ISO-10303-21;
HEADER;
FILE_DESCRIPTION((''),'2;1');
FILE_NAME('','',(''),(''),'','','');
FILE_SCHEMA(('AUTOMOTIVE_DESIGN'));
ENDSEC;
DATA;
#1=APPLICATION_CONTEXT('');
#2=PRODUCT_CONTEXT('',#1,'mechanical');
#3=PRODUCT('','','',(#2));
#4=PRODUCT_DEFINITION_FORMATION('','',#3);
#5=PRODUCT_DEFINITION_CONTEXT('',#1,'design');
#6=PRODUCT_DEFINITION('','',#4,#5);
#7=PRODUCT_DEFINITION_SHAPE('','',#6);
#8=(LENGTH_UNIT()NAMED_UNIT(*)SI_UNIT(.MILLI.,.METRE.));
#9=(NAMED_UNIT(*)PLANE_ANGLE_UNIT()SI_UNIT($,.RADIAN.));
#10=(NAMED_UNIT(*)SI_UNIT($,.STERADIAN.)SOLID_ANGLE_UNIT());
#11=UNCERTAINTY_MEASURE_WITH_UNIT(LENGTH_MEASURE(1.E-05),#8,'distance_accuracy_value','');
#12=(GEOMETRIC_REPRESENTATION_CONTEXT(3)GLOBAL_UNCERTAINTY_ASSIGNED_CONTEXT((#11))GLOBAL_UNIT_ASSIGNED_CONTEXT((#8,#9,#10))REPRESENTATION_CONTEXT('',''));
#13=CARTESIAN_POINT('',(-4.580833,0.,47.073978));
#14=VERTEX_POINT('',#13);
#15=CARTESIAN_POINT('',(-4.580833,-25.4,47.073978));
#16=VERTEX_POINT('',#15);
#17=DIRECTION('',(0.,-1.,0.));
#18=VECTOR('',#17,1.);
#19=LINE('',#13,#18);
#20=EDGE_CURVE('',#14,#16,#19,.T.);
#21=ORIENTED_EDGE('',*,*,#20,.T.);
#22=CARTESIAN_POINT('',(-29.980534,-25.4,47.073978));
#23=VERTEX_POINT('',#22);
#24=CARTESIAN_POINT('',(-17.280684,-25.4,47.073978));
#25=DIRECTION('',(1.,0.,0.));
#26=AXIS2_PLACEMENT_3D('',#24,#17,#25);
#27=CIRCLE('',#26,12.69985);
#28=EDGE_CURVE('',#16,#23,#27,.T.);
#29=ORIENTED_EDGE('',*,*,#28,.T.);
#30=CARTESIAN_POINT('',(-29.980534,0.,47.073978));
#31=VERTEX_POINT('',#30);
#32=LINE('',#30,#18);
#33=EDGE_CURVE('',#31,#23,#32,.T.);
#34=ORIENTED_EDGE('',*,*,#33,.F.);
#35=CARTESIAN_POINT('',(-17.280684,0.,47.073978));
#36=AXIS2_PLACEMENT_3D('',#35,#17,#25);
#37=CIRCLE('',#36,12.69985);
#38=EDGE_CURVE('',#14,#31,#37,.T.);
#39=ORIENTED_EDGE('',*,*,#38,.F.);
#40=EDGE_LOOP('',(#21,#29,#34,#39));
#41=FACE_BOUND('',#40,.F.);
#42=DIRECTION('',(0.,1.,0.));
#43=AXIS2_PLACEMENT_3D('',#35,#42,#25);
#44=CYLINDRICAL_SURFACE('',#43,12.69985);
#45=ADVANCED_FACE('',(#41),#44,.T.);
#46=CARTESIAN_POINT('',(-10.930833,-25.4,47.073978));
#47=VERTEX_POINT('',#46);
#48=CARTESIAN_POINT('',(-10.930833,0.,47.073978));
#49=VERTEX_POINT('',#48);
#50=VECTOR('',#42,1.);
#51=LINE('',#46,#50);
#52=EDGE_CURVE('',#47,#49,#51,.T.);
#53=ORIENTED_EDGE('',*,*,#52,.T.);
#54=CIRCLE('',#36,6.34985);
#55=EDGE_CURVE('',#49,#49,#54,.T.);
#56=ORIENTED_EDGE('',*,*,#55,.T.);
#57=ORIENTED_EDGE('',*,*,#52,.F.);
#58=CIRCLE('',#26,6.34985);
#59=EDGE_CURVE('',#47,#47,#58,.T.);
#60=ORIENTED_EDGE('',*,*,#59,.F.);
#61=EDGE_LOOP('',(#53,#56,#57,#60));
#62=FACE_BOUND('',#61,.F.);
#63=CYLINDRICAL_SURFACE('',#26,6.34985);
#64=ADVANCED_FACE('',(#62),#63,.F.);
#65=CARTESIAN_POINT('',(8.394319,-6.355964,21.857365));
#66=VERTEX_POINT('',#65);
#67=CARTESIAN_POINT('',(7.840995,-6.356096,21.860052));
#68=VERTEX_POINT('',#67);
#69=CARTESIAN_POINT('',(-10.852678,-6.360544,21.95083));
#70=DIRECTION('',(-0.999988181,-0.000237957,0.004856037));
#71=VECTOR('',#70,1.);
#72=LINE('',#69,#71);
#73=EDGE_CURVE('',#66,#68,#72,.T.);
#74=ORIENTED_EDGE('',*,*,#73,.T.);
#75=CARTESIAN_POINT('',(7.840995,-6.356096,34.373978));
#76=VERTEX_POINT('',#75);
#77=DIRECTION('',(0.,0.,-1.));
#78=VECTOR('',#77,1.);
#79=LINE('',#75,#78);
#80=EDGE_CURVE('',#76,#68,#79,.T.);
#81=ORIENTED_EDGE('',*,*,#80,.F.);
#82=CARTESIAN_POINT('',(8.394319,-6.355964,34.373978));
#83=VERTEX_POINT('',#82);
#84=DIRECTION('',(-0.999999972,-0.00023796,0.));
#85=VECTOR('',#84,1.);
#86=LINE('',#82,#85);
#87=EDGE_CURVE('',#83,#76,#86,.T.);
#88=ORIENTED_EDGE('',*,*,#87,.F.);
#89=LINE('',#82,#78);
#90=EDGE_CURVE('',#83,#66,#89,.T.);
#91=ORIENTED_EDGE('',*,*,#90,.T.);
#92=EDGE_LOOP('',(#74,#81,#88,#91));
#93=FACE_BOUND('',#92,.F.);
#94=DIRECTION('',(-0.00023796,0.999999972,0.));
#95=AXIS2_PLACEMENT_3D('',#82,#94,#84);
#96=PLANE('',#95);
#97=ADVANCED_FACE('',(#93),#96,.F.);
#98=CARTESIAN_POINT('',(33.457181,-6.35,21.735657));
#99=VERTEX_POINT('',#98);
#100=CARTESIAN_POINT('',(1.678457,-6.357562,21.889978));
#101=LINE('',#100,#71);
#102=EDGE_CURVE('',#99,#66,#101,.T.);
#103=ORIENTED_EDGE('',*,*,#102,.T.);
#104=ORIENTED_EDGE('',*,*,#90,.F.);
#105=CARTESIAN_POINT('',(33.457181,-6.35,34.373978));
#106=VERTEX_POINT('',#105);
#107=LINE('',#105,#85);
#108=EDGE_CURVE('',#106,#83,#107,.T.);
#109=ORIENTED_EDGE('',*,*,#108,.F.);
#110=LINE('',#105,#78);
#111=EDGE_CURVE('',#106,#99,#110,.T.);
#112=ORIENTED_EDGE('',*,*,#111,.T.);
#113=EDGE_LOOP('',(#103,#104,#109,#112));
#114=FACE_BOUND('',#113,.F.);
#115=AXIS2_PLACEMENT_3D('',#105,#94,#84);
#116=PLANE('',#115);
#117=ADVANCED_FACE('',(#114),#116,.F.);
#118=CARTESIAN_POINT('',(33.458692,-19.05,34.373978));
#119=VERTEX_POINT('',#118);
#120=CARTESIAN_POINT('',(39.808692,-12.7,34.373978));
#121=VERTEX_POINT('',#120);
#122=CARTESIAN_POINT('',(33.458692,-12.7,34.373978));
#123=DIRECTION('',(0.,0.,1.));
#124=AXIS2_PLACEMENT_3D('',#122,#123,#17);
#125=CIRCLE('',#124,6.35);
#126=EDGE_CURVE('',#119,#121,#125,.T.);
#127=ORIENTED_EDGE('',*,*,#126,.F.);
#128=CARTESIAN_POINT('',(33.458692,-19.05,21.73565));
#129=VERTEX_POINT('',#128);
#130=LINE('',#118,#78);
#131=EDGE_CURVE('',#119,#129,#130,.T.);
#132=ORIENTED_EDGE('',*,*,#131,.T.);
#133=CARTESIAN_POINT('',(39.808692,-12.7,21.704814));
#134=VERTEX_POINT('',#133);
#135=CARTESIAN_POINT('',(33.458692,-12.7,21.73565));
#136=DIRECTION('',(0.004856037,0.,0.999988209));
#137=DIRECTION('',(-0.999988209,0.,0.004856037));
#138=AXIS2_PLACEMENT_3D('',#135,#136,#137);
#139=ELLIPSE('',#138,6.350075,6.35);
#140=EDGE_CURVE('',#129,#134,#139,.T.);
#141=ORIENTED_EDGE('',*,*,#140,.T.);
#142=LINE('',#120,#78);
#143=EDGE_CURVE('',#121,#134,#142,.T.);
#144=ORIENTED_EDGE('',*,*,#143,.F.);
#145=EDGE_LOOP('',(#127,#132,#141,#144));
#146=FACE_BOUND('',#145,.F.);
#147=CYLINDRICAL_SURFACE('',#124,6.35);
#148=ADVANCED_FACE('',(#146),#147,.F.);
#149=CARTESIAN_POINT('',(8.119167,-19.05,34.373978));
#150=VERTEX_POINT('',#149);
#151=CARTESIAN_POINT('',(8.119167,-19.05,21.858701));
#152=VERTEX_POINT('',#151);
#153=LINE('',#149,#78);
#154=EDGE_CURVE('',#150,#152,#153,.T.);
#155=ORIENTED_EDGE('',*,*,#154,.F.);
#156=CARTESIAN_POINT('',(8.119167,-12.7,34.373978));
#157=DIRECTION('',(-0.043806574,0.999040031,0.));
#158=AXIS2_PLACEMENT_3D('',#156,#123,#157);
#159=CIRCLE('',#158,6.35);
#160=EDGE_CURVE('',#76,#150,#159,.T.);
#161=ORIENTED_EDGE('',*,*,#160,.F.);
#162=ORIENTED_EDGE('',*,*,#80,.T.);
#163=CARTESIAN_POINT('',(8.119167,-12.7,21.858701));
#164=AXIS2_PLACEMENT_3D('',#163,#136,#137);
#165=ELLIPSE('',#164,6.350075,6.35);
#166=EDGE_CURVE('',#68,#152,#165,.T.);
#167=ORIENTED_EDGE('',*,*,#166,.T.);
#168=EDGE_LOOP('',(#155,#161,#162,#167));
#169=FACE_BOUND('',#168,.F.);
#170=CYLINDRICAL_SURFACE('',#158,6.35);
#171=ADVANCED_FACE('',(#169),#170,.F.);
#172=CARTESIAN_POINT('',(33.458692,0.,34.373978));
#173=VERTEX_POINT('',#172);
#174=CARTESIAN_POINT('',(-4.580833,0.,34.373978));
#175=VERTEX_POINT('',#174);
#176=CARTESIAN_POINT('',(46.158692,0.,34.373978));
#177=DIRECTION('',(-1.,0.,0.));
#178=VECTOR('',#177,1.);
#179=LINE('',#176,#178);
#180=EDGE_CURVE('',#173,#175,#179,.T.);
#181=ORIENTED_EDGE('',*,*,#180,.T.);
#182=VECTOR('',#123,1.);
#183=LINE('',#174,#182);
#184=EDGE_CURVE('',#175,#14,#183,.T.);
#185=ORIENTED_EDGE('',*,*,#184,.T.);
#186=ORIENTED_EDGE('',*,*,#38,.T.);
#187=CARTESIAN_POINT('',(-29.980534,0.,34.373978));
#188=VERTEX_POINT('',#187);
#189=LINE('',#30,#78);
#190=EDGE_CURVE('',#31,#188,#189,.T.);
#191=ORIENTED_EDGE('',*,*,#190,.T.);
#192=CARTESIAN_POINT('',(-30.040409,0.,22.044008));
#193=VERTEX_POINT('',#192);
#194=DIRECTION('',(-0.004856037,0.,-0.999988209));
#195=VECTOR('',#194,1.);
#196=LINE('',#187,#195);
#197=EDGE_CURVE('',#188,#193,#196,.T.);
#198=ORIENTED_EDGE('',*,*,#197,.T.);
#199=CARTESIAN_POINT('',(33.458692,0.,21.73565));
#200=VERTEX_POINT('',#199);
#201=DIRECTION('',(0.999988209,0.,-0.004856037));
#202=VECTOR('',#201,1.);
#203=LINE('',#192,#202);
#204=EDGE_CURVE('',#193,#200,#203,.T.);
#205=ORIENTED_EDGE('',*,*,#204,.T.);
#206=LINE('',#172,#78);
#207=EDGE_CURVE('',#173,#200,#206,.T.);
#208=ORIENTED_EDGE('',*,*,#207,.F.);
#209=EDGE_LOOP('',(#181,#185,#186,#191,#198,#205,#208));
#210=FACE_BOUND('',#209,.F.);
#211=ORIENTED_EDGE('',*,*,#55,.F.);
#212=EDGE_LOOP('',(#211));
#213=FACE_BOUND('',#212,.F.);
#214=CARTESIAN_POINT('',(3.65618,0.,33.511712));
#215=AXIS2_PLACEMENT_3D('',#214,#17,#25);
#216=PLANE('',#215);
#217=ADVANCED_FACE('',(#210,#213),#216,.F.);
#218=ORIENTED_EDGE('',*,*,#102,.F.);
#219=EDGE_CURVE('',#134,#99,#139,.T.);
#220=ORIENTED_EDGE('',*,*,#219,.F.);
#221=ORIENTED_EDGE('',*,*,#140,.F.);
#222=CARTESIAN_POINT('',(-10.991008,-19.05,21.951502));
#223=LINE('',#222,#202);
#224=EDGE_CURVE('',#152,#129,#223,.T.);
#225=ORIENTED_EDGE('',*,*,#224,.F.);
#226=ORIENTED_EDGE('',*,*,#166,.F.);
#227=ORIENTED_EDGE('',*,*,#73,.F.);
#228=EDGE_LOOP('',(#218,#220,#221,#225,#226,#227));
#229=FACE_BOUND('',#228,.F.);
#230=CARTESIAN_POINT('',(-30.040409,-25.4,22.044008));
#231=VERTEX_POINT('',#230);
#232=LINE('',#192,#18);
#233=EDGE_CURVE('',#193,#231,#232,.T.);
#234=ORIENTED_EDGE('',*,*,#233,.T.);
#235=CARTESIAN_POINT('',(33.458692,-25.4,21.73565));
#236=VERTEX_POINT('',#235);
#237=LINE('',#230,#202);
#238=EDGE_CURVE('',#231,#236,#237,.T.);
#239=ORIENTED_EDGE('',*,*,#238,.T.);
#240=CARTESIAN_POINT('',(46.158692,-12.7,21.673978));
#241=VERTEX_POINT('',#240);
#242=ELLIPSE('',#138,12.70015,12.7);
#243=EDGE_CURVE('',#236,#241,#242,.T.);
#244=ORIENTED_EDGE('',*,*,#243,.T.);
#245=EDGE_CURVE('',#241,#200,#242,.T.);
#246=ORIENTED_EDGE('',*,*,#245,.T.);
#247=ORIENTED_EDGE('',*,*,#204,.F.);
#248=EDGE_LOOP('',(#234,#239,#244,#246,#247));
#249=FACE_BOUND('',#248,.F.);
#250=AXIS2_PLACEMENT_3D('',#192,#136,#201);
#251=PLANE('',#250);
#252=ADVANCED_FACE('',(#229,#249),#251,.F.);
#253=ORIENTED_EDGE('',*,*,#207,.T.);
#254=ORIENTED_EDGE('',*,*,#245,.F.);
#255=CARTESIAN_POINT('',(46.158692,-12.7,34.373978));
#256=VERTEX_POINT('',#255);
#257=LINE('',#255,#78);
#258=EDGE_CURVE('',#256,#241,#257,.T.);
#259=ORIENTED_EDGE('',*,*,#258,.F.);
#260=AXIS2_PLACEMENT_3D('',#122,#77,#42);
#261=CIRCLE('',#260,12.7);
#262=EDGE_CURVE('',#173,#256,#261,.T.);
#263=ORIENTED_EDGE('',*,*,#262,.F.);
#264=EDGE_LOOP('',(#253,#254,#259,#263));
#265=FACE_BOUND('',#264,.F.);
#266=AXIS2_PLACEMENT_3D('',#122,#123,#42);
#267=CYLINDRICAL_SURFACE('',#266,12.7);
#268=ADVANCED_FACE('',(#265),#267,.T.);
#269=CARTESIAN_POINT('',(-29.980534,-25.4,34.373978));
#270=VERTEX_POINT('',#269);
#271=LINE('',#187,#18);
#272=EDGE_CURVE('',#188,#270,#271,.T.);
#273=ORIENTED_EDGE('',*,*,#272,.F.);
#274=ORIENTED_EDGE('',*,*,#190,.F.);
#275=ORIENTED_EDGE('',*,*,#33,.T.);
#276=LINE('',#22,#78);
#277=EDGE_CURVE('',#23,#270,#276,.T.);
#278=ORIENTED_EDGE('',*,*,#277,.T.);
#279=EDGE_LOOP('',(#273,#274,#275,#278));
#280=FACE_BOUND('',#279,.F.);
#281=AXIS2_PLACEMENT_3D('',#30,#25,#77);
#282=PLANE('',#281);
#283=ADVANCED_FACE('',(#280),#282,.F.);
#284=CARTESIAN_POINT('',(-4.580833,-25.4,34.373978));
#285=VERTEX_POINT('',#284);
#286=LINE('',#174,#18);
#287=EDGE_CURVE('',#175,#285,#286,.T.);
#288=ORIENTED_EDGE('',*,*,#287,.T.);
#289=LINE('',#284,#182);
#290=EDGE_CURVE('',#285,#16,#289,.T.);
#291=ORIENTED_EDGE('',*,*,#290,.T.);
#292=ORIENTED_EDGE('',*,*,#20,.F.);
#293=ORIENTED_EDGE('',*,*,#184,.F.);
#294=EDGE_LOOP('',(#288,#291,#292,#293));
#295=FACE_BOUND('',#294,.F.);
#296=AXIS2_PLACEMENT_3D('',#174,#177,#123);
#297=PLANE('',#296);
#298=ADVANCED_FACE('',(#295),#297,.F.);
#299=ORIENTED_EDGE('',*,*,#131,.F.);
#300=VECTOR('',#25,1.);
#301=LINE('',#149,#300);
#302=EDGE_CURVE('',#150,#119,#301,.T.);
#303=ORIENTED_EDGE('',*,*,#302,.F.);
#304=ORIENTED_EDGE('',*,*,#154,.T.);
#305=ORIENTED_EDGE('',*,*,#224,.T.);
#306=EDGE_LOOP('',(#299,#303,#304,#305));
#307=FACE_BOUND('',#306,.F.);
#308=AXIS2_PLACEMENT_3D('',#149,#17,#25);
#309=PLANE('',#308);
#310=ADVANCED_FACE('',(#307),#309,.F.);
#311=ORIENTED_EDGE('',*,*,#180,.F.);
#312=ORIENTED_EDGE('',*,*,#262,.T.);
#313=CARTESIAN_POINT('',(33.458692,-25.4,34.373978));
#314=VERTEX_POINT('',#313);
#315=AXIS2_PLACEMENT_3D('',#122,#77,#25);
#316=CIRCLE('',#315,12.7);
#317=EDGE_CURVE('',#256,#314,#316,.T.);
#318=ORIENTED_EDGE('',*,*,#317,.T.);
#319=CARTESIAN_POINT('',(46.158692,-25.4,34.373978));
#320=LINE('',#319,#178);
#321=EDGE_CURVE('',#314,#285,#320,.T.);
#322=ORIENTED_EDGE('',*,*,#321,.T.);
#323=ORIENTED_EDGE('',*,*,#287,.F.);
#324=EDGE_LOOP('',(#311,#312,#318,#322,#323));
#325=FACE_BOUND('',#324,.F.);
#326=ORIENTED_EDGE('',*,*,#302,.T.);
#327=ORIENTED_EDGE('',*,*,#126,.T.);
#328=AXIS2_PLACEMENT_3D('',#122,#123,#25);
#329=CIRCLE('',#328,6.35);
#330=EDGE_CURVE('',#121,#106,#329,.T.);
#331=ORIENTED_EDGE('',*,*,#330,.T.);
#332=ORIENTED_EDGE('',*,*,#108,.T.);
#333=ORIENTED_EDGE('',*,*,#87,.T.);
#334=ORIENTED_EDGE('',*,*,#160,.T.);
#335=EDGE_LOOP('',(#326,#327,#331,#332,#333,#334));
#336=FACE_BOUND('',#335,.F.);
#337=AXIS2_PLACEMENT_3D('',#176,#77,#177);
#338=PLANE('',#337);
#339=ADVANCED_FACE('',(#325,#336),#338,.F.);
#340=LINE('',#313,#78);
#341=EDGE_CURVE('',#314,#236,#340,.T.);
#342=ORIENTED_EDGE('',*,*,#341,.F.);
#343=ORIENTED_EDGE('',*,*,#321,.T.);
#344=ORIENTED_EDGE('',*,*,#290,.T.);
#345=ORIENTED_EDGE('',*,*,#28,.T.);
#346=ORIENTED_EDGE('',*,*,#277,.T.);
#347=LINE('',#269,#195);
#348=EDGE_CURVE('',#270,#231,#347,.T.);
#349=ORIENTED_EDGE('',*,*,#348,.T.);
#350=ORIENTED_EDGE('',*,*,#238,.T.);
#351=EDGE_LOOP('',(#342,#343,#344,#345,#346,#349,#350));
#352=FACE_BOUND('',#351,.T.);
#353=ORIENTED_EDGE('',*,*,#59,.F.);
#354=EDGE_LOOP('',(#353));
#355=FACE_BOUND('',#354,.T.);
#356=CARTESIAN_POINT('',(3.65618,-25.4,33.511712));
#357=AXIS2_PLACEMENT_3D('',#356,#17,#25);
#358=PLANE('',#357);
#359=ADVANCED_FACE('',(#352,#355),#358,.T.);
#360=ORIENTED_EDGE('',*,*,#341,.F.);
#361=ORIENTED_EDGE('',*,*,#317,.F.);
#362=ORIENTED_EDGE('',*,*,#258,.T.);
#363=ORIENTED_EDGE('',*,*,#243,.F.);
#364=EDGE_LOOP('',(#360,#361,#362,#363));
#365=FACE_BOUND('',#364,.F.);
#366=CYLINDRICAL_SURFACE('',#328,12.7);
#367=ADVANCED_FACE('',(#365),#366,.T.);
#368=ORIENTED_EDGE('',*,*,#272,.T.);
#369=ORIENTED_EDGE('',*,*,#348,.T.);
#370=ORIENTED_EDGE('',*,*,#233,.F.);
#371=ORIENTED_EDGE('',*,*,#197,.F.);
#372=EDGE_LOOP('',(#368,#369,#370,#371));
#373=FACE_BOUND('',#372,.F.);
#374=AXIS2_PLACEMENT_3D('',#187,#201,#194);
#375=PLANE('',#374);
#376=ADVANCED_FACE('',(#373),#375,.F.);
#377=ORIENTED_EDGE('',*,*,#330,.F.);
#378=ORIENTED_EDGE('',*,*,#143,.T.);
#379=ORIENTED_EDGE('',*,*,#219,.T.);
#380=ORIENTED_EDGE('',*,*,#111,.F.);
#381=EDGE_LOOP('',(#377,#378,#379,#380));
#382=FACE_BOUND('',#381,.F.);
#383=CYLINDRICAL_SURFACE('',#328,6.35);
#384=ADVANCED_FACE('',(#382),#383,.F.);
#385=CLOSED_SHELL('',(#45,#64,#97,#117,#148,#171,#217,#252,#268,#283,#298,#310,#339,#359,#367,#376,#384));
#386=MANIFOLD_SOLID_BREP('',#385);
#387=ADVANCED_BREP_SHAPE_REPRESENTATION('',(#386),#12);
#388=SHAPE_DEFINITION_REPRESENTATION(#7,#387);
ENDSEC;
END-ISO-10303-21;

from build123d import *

# Parameters (mm, degrees)
F1_DEPTH = 25.4
F2_R     = 6.3498502592
F3_DEPTH = 25.4
F5_DEPTH = 12.7
F7_DEPTH = 25.4


with BuildPart() as f1:
    # F0 (on Front) → F1 (new body)
    with BuildSketch(Plane.XZ):
        with BuildLine():
            Line((-29.9805339301, 47.0739776071), (-29.9805339301, 34.3739776071))
            Line((-29.9805339301, 34.3739776071), (-30.0404094228, 22.0440076031))
            Line((-30.0404094228, 22.0440076031), (46.1586921323, 21.6739776071))
            Line((46.1586921323, 21.6739776071), (46.1586921323, 34.3739776071))
            Line((46.1586921323, 34.3739776071), (-4.5808334117, 34.3739776071))
            Line((-4.5808334117, 34.3739776071), (-4.5808334117, 47.0739776071))
            ThreePointArc((-4.5808334117, 47.0739776071), (-17.2806836709, 59.7738278663), (-29.9805339301, 47.0739776071))
        make_face()
    extrude(amount=F1_DEPTH)

    # F2 (on face) → F3 (cut)
    with BuildSketch(Plane.XZ.offset(25.4)):
        with Locations((-17.2806836709, 47.0739776071)):
            Circle(F2_R)
    extrude(amount=-F3_DEPTH, mode=Mode.SUBTRACT)

    # F4 (on face) → F5 (cut)
    with BuildSketch(Plane.XY.offset(34.3739776071)):
        with BuildLine():
            ThreePointArc((33.4586921323, 0), (42.4389482533, -3.7197438789), (46.1586921323, -12.7))
            Line((46.1586921323, -12.7), (46.1586921323, 0))
            Line((46.1586921323, 0), (33.4586921323, 0))
        make_face()
        with BuildLine():
            Line((46.1586921323, -25.4), (46.1586921323, -12.7))
            ThreePointArc((46.1586921323, -12.7), (42.4389482533, -21.6802561211), (33.4586921323, -25.4))
            Line((33.4586921323, -25.4), (46.1586921323, -25.4))
        make_face()
    extrude(amount=-F5_DEPTH, mode=Mode.SUBTRACT)

    # F6 (on face) → F7 (cut)
    with BuildSketch(Plane.XY.offset(34.3739776071)):
        with BuildLine():
            Line((8.3943191118, -6.3559641324), (7.8409948456, -6.3560958014))
            ThreePointArc((7.8409948456, -6.3560958014), (1.7706907215, -12.8391192629), (8.1191665883, -19.05))
            ThreePointArc((8.1191665883, -19.05), (12.6092946488, -17.1901280605), (14.4691665883, -12.7))
            ThreePointArc((14.4691665883, -12.7), (12.7055441634, -8.308230341), (8.3943191118, -6.3559641324))
        make_face()
        with BuildLine():
            ThreePointArc((14.4691665883, -12.7), (12.6092946488, -17.1901280605), (8.1191665883, -19.05))
            Line((8.1191665883, -19.05), (33.4586921323, -19.05))
            ThreePointArc((33.4586921323, -19.05), (27.1086921772, -12.7007555222), (33.4571810878, -6.3500001798))
            Line((33.4571810878, -6.3500001798), (8.3943191118, -6.3559641324))
            ThreePointArc((8.3943191118, -6.3559641324), (12.7055441634, -8.308230341), (14.4691665883, -12.7))
        make_face()
        with BuildLine():
            ThreePointArc((33.4571810878, -6.3500001798), (27.1086921772, -12.7007555222), (33.4586921323, -19.05))
            ThreePointArc((33.4586921323, -19.05), (37.9488201928, -17.1901280605), (39.8086921323, -12.7))
            ThreePointArc((39.8086921323, -12.7), (37.9482859261, -8.2093377364), (33.4571810878, -6.3500001798))
        make_face()
    extrude(amount=-F7_DEPTH, mode=Mode.SUBTRACT)


solid = f1.part
